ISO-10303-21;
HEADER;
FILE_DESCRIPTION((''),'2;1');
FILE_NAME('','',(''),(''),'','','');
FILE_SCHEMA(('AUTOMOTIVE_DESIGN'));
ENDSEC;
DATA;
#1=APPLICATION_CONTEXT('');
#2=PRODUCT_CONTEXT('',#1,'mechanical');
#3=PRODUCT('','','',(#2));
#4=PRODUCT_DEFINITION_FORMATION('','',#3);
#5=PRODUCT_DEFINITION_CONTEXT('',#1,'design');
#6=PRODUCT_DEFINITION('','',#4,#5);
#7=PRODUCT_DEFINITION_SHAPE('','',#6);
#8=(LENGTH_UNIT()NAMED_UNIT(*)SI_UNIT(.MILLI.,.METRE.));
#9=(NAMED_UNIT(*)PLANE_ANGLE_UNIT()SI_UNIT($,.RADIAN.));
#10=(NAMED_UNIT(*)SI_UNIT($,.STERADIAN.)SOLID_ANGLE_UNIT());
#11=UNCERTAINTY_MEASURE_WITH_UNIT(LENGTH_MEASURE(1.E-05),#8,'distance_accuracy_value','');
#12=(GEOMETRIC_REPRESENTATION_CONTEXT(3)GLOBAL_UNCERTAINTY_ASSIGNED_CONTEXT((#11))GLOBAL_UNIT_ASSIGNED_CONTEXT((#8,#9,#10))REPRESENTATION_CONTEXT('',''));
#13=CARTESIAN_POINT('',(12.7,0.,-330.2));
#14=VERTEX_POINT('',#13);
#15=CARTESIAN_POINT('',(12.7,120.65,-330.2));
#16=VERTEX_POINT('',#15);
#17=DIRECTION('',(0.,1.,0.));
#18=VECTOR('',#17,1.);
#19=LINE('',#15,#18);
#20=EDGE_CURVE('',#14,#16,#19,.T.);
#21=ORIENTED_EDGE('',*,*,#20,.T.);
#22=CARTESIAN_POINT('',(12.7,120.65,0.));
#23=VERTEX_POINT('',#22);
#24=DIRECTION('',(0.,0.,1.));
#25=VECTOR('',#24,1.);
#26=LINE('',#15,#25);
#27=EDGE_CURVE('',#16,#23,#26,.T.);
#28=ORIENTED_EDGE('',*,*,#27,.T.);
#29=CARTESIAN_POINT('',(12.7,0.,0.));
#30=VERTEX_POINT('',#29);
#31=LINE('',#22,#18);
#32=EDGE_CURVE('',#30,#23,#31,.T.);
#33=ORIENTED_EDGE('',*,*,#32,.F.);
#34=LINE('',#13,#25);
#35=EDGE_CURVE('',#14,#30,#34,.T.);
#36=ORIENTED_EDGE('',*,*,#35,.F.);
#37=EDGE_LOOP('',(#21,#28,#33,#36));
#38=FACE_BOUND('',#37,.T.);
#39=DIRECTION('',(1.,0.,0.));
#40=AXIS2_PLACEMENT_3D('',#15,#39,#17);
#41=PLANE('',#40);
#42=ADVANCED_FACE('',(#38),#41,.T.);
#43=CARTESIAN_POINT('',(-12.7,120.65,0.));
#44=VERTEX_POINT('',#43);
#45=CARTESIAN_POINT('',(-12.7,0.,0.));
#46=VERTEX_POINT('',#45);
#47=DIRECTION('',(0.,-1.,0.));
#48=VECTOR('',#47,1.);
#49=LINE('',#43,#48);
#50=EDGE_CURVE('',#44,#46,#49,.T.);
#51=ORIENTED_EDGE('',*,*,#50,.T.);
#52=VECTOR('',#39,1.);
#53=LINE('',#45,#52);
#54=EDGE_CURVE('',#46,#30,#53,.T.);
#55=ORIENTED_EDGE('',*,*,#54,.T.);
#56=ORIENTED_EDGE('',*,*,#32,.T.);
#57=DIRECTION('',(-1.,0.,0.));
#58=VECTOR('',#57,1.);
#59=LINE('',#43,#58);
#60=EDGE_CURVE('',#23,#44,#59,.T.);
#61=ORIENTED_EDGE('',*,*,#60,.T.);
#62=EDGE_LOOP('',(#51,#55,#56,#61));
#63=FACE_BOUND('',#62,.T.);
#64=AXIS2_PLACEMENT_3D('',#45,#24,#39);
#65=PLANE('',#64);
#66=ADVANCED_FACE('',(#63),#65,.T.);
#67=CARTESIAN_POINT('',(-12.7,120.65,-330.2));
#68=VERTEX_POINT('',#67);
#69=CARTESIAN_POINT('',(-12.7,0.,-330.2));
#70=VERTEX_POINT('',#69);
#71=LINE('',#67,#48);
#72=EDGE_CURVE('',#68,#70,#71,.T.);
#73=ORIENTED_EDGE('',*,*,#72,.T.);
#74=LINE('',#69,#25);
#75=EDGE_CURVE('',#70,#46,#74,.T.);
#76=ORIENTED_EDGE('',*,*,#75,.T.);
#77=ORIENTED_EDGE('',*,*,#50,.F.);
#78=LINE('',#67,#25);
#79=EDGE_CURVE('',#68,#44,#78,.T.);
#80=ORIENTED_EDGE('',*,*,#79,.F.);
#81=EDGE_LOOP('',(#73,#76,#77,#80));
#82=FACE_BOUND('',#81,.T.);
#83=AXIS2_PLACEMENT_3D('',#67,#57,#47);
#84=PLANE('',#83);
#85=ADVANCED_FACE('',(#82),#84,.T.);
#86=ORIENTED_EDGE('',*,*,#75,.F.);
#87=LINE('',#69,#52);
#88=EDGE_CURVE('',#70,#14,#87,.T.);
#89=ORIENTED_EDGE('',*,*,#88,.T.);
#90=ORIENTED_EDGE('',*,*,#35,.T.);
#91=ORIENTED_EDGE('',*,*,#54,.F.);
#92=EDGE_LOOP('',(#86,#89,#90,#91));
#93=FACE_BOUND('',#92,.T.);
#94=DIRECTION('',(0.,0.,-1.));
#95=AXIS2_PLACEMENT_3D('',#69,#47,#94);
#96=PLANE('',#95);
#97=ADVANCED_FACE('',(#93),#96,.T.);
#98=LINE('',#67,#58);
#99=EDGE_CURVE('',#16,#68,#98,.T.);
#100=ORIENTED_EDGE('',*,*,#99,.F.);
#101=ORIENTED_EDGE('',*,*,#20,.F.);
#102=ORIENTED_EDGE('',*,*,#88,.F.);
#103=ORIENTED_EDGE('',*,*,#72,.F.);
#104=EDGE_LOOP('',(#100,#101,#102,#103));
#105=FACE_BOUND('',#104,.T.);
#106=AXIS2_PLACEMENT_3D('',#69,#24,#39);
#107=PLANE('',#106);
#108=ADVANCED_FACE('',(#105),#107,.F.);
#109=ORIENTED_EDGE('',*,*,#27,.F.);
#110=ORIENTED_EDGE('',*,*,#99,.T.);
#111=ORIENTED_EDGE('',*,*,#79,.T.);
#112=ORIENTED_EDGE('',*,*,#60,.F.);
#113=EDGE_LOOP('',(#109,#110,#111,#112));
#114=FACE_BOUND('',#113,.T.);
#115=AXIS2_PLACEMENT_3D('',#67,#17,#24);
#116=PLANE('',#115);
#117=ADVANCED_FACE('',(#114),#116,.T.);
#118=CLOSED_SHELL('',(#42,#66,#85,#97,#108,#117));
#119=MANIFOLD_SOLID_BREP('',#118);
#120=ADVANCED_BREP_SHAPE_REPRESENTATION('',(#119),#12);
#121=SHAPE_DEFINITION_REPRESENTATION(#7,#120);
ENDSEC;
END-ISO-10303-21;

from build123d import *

# Parameters (mm, degrees)
SKETCH1_W      = 25.4
SKETCH1_H      = 120.65
EXTRUDE1_DEPTH = 330.2


with BuildPart() as part:
    # Sketch1 → Extrude1 (new body)
    with BuildSketch(Plane.XY):
        with Locations((0, 60.325)):
            Rectangle(SKETCH1_W, SKETCH1_H)
    extrude(amount=-EXTRUDE1_DEPTH)


solid = part.part
